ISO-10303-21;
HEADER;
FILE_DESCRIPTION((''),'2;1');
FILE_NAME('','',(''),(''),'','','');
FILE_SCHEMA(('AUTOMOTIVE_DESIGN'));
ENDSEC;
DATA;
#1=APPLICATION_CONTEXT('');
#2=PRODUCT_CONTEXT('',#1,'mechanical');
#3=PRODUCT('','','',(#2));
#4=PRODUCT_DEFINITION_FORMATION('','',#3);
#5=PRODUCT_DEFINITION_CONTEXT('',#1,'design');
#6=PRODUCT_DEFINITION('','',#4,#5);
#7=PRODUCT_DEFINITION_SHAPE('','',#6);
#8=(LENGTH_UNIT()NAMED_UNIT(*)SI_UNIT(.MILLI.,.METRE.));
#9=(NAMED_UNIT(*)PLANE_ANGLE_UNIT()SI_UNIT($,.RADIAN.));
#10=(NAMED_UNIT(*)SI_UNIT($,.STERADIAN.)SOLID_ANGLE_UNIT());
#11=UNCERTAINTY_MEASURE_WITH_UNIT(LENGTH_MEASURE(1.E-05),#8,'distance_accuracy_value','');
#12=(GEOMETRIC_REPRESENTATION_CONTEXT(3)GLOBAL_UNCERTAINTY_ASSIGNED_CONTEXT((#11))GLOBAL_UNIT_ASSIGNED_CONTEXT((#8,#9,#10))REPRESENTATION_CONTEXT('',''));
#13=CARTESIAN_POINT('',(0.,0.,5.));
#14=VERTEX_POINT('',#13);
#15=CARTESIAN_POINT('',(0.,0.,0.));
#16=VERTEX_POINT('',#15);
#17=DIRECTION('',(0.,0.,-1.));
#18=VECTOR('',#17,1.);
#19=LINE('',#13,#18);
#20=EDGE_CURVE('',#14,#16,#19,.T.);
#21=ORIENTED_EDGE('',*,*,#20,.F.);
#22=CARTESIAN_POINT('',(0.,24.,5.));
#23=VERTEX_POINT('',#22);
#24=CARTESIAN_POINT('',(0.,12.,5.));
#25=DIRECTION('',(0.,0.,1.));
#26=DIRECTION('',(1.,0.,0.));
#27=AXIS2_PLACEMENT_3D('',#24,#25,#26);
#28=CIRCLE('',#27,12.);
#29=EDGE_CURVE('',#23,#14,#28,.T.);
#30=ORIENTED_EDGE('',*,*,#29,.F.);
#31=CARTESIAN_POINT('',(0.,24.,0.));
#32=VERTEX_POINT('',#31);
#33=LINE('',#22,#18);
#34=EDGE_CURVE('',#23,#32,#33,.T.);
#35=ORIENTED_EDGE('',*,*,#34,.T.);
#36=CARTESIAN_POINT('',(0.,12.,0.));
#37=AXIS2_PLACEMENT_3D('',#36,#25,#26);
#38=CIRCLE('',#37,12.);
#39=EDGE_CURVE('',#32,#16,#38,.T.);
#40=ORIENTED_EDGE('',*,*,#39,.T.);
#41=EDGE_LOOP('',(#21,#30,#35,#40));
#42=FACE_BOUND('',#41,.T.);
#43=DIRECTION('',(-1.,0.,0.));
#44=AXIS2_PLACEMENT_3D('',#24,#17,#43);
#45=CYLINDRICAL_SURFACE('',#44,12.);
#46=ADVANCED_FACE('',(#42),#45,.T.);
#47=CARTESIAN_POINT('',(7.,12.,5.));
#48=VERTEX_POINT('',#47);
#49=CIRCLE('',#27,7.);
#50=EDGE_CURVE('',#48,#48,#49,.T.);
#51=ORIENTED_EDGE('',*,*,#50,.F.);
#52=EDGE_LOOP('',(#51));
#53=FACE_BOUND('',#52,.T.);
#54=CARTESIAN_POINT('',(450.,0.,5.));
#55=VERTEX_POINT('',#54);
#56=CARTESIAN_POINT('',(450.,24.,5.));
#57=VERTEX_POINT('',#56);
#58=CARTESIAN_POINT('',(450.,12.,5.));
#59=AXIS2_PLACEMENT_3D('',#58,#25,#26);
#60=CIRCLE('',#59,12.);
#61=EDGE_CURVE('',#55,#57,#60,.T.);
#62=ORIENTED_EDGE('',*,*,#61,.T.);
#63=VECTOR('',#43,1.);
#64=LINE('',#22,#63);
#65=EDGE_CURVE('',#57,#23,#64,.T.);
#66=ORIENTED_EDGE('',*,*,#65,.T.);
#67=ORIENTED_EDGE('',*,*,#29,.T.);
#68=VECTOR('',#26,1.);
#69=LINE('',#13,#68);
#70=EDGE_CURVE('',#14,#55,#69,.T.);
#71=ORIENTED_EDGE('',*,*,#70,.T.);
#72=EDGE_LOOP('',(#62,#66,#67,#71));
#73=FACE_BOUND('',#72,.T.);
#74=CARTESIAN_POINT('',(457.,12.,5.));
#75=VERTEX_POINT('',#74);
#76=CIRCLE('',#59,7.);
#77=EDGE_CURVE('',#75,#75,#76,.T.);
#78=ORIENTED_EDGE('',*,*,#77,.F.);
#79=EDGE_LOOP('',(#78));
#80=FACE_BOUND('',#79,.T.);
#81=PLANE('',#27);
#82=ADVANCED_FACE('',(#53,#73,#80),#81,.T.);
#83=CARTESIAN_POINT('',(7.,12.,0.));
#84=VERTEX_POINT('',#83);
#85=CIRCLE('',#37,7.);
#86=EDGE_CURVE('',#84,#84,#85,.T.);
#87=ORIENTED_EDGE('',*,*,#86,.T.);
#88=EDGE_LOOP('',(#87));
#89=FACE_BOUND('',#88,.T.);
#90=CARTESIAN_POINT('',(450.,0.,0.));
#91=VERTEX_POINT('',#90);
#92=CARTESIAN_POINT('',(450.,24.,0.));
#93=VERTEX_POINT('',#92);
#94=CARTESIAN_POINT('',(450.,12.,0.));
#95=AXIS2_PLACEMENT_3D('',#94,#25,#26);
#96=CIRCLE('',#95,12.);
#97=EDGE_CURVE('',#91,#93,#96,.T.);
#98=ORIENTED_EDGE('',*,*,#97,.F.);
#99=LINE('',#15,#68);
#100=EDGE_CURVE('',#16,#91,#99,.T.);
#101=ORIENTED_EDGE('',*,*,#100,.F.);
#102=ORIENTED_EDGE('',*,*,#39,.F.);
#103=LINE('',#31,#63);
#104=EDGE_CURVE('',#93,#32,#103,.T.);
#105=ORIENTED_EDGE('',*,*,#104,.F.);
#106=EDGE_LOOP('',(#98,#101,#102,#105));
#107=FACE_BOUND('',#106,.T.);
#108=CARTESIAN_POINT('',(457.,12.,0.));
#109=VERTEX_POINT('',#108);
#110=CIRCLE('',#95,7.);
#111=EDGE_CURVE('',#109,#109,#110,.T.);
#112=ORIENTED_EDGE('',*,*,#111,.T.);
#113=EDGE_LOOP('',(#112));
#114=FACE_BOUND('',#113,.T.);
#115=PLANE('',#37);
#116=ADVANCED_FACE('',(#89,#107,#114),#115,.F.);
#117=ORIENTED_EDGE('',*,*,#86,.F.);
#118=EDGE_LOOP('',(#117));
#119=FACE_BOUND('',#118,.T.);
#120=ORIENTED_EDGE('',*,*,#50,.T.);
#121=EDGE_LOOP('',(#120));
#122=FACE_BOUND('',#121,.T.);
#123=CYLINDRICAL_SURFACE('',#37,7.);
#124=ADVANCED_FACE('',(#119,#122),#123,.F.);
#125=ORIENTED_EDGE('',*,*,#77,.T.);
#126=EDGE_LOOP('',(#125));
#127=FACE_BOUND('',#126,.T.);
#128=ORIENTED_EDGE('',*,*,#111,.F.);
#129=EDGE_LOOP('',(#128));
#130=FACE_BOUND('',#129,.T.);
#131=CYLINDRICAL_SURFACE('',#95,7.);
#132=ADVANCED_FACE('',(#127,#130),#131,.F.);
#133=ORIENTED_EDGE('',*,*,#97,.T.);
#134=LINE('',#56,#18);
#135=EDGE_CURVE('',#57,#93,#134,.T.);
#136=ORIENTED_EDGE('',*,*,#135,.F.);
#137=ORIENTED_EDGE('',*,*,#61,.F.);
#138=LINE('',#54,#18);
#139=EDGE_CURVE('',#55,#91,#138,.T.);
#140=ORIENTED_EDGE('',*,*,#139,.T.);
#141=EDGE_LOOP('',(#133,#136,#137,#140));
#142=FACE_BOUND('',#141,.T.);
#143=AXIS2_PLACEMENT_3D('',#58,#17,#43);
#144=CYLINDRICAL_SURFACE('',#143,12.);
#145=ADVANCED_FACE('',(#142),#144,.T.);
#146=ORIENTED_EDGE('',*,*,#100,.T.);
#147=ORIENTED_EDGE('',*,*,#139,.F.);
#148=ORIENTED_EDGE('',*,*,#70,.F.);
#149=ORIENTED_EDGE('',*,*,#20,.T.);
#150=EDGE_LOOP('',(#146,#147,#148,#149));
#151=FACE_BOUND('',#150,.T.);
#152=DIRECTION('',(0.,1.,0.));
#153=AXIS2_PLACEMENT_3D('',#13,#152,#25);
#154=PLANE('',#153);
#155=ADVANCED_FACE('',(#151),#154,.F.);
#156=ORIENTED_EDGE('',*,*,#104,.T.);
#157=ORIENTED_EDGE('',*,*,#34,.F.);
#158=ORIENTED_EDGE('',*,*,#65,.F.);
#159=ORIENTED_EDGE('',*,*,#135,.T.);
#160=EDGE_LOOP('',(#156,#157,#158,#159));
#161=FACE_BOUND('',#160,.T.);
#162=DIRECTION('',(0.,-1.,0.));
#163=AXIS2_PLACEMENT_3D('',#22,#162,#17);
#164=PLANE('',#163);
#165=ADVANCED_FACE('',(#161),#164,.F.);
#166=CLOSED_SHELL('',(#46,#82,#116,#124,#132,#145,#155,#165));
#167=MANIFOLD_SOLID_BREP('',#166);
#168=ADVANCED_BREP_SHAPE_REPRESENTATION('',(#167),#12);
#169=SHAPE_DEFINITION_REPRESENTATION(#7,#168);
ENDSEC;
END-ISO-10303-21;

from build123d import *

# Parameters (mm, degrees)
DODANIE_WYCI_GNI_CIE1_DEPTH = 5
SZKIC2_R                    = 7
WYTNIJ_WYCI_GNI_CIE1_DEPTH  = 5


with BuildPart() as part:
    # Szkic1 → Dodanie-wyciągnięcie1 (new body)
    with BuildSketch(Plane.XY):
        with BuildLine():
            Line((0, 0), (450, 0))
            ThreePointArc((450, 0), (462, 12), (450, 24))
            Line((450, 24), (0, 24))
            ThreePointArc((0, 24), (-12, 12), (0, 0))
        make_face()
    extrude(amount=DODANIE_WYCI_GNI_CIE1_DEPTH)

    # Szkic2 → Wytnij-wyciągnięcie1 (cut)
    with BuildSketch(Plane.XY.offset(5)):
        with Locations((0, 12)):
            Circle(SZKIC2_R)
        with Locations((450, 12)):
            Circle(SZKIC2_R)
    extrude(amount=-WYTNIJ_WYCI_GNI_CIE1_DEPTH, mode=Mode.SUBTRACT)


solid = part.part
